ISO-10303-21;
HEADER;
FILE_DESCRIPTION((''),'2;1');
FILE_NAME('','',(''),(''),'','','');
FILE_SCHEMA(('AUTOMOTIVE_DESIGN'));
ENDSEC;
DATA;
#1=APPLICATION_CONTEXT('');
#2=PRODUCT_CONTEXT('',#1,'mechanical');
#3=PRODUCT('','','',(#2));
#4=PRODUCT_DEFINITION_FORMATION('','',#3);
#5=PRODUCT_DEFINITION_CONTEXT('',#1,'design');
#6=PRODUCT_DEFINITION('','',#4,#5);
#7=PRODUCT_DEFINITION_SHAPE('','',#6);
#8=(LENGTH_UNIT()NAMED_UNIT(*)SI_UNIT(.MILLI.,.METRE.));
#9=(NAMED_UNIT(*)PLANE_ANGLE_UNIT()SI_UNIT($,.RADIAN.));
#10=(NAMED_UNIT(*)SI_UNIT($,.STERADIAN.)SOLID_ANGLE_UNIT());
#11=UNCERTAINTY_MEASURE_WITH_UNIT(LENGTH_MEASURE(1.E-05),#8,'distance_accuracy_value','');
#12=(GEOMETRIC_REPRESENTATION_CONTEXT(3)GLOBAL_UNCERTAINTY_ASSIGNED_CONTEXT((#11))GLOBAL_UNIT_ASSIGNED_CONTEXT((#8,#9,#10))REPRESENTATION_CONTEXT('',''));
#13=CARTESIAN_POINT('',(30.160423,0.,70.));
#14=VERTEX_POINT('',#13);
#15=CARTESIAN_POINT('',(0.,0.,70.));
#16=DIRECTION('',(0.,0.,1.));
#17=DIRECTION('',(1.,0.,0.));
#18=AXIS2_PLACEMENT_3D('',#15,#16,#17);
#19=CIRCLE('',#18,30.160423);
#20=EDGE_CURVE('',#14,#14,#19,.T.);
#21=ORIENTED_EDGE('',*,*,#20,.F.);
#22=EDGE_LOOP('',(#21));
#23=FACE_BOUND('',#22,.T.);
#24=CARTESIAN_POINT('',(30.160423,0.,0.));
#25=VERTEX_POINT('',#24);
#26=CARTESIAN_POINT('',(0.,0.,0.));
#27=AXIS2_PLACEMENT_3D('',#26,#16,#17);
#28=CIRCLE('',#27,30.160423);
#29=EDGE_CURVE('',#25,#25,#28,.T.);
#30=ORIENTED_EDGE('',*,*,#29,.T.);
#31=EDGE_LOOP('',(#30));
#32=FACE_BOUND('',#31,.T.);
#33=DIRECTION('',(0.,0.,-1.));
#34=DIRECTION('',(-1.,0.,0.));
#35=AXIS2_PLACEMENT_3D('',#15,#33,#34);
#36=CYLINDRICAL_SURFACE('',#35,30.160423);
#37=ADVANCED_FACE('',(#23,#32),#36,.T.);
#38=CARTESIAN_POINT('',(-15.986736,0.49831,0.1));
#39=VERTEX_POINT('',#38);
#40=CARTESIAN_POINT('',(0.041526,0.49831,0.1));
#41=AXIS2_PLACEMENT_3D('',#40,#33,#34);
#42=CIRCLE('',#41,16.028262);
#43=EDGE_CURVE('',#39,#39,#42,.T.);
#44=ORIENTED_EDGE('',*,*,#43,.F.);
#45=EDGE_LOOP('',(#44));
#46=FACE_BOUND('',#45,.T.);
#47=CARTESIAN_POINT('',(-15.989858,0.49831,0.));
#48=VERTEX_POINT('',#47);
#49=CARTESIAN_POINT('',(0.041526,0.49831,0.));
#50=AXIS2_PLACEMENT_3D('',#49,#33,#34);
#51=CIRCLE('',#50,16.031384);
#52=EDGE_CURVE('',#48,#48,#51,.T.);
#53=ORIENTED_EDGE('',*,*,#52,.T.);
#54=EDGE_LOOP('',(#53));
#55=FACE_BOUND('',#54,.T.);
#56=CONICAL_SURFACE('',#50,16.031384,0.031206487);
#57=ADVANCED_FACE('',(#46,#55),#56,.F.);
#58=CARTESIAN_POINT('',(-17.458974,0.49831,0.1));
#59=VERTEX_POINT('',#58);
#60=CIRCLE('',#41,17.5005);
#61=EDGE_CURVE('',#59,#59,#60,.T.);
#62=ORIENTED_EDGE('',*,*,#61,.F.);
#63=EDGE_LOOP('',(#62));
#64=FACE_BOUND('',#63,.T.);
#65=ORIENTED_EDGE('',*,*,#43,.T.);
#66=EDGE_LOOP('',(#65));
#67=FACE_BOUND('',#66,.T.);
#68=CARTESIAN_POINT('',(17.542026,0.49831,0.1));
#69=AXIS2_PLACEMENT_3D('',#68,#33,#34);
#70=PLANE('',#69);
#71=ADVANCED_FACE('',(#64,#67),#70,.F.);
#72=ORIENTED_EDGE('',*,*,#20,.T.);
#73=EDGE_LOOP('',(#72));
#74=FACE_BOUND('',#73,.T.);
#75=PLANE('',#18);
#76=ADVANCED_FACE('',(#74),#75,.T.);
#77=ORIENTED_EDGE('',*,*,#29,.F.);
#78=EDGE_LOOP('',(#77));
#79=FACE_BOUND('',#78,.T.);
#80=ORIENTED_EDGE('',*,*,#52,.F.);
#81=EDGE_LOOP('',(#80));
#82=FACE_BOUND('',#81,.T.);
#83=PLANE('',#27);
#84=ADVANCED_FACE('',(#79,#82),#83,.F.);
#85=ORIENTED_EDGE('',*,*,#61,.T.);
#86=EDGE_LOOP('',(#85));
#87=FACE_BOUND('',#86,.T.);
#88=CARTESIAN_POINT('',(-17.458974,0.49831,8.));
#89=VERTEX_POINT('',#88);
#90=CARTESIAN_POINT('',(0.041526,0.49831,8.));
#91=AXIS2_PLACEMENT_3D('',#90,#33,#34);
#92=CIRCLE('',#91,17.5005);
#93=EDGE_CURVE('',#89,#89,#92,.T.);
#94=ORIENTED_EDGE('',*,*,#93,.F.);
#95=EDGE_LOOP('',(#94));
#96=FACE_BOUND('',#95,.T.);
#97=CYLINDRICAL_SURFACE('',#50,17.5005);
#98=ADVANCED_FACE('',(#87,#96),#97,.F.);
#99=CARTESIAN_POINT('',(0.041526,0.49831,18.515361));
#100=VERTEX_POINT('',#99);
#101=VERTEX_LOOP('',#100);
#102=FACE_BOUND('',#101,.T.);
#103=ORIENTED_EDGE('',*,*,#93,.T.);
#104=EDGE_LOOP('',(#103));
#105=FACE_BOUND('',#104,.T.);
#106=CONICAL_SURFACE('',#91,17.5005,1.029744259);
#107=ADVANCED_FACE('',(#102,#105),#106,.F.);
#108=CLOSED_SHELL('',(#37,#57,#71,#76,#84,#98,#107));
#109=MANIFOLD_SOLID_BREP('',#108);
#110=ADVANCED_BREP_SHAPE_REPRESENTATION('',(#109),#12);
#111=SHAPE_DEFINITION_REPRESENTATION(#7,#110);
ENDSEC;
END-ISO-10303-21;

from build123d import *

# Parameters (mm, degrees)
ESQUISSE1_R        = 30.160422997
BOSS_EXTRU_1_DEPTH = 70


with BuildPart() as part:
    # Esquisse1 → Boss.-Extru.1 (new body)
    with BuildSketch(Plane.XY):
        Circle(ESQUISSE1_R)
    extrude(amount=BOSS_EXTRU_1_DEPTH)

    # Esquisse10 → Trou taraudé 1 Rc1 (revolve, cut)
    with BuildSketch(Plane(origin=(0.041525869, 0.498310425, 0), x_dir=(0, 1, 0), z_dir=(1, 0, 0))):
        Polygon((0, 0), (0, 18.515361263), (17.5005, 8), (17.5005, 0.1), (16.028262338, 0.1), (16.031384, 0), align=None)
    revolve(axis=Axis((0.041525869, 0.498310425, -6.35), (0, 0, 1)), mode=Mode.SUBTRACT)


solid = part.part
